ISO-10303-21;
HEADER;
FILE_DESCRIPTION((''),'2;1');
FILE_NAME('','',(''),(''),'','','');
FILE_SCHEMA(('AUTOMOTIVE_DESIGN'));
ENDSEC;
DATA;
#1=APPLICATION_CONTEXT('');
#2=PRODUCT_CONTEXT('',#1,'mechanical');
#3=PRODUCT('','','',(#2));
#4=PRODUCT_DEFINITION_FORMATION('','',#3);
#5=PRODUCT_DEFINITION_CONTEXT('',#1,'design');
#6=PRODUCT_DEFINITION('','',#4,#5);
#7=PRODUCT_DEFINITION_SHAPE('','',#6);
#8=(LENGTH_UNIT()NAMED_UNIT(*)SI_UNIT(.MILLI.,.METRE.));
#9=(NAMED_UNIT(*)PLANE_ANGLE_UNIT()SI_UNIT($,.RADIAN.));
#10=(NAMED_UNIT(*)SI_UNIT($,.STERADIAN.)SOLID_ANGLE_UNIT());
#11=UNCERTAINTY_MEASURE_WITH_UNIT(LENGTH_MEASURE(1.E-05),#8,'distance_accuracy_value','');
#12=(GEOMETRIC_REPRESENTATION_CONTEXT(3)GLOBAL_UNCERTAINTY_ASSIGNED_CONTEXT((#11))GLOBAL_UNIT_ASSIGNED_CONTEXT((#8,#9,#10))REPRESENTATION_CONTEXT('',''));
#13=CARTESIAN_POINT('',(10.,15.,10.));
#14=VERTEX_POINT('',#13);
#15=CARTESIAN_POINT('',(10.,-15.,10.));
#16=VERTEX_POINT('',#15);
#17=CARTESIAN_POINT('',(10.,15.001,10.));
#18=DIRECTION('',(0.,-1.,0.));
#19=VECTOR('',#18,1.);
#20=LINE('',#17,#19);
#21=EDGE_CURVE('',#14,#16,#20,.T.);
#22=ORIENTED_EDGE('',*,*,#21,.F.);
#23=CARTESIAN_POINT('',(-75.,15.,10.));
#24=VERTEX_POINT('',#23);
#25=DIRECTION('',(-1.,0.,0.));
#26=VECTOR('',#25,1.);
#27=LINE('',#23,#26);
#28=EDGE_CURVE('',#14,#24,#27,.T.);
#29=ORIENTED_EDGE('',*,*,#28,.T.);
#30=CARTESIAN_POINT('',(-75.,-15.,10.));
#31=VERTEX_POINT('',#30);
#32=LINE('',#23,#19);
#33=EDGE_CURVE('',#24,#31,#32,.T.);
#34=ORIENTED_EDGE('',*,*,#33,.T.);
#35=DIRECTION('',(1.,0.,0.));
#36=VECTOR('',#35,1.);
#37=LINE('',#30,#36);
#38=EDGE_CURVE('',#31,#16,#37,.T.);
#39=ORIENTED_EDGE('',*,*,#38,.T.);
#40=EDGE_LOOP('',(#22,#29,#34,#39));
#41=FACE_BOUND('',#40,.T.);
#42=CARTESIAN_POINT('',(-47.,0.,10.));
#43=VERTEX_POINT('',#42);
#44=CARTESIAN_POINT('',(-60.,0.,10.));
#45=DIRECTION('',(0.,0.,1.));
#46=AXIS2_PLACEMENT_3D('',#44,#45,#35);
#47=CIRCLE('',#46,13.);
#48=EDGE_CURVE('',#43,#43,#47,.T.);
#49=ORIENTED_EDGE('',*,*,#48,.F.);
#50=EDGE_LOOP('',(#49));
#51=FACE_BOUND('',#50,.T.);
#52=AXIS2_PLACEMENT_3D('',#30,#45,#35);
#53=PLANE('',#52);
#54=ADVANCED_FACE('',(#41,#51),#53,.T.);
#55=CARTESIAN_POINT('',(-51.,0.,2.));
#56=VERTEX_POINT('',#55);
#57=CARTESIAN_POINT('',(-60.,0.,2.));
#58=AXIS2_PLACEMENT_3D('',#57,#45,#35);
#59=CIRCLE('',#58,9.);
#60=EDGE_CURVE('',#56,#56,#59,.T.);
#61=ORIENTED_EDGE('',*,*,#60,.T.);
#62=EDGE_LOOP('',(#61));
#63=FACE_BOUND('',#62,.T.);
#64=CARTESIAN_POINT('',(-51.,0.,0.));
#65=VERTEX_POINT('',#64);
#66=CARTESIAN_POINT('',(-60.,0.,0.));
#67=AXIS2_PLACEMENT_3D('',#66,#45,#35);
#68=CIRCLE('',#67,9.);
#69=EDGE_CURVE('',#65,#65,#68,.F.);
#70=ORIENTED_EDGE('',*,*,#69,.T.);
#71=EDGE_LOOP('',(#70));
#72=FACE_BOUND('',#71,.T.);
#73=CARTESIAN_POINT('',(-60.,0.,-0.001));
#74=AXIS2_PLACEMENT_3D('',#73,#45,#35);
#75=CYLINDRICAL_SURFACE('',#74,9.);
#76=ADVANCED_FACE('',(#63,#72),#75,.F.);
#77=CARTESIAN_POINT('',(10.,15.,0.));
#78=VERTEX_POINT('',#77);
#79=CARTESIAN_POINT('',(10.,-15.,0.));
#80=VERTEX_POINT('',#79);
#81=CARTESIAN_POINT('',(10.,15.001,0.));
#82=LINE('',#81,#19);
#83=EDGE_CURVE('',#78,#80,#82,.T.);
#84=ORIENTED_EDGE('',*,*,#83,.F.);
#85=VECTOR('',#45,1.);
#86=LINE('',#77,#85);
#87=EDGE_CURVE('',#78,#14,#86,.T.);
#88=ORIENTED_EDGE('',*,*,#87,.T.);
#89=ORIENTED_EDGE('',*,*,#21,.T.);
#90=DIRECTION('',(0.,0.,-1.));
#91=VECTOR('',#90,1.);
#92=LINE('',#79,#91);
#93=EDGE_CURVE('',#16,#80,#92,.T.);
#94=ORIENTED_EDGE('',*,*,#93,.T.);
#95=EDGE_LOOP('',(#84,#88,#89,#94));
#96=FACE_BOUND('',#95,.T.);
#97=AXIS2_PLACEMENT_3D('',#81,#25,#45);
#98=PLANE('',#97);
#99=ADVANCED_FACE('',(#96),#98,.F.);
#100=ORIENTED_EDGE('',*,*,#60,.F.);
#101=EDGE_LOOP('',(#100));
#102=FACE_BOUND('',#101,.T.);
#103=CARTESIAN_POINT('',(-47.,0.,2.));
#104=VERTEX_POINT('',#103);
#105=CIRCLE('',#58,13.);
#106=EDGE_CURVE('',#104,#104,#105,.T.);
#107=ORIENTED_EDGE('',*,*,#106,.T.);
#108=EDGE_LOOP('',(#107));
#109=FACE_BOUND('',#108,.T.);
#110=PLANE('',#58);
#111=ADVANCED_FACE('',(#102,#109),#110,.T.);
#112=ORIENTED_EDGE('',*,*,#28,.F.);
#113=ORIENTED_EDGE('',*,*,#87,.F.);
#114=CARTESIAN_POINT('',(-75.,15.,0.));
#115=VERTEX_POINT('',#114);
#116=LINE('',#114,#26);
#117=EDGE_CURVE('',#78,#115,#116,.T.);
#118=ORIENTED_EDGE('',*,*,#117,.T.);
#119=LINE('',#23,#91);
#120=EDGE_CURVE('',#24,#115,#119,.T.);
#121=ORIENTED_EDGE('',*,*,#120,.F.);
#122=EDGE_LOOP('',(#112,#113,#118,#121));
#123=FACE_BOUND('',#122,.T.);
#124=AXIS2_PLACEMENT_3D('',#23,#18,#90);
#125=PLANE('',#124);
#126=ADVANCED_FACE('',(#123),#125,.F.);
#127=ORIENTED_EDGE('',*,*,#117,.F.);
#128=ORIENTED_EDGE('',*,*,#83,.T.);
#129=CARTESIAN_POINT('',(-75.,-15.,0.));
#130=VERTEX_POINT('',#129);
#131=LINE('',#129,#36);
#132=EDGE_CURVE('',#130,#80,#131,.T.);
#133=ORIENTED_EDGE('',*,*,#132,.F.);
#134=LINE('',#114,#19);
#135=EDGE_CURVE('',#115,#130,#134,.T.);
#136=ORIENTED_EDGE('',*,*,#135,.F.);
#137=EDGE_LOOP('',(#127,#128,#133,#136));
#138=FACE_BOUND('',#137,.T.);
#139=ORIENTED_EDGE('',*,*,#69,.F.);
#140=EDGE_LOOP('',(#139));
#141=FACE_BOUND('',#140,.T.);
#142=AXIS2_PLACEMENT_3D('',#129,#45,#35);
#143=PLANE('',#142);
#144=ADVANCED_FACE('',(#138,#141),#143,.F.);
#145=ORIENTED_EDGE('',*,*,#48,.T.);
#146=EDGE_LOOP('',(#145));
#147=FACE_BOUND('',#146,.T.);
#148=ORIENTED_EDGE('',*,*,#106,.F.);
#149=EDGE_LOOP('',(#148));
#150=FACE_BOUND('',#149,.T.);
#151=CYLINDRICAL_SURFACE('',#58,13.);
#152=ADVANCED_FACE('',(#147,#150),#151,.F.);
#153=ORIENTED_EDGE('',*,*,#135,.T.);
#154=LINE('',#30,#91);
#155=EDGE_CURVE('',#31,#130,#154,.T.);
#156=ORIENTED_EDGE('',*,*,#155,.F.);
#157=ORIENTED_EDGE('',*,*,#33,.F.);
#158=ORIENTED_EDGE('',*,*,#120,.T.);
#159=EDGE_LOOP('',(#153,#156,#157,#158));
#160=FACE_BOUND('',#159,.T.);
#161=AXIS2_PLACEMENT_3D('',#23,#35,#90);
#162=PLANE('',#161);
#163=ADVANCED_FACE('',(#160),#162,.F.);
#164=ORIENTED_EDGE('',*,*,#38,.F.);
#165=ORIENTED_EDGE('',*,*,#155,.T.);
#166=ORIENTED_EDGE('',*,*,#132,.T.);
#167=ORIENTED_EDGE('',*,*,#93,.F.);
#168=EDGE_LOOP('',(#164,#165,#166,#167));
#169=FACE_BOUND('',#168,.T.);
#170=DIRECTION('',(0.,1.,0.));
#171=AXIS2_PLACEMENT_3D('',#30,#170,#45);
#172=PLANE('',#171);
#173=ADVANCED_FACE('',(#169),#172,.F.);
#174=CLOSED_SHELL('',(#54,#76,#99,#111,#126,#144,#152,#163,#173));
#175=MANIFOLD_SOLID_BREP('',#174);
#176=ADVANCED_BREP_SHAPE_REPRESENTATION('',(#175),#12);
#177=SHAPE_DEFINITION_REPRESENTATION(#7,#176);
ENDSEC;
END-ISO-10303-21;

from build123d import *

# Parameters (mm, degrees)
ESBO_O1_W                = 150
ESBO_O1_H                = 30
RESSALTO_EXTRUS_O1_DEPTH = 10
ESBO_O2_R                = 13
CORTE_EXTRUS_O1_DEPTH    = 8
CORTE_EXTRUS_O2_REACH    = 78.903
ESBO_O3_R                = 9
CORTE_EXTRUS_O3_REACH    = 83.394
ESBO_O4_W                = 65
ESBO_O4_H                = 10


with BuildPart() as part:
    # Esboço1 → Ressalto-extrusão1 (new body)
    with BuildSketch(Plane.XY):
        Rectangle(ESBO_O1_W, ESBO_O1_H)
    extrude(amount=RESSALTO_EXTRUS_O1_DEPTH)

    # Esboço2 → Corte-extrusão1 (cut)
    with BuildSketch(Plane.XY.offset(10)):
        with Locations((-60, 0)):
            Circle(ESBO_O2_R)
    extrude(amount=-CORTE_EXTRUS_O1_DEPTH, mode=Mode.SUBTRACT)

    # Esboço3 → Corte-extrusão2 (cut, up to next)
    with BuildSketch(Plane.XY.offset(2), mode=Mode.PRIVATE) as corte_extrus_o2_sk1:
        with Locations((-60, 0)):
            Circle(ESBO_O3_R)
    corte_extrus_o2_tool1 = extrude(corte_extrus_o2_sk1.sketch, amount=-CORTE_EXTRUS_O2_REACH, mode=Mode.PRIVATE) & part.part
    add(corte_extrus_o2_tool1.solids().sort_by_distance((-60, 0, 2))[0], mode=Mode.SUBTRACT)

    # Esboço4 → Corte-extrusão3 (cut, up to next)
    with BuildSketch(Plane.XZ.offset(15), mode=Mode.PRIVATE) as corte_extrus_o3_sk1:
        with Locations((42.5, 5)):
            Rectangle(ESBO_O4_W, ESBO_O4_H)
    corte_extrus_o3_tool1 = extrude(corte_extrus_o3_sk1.sketch, amount=-CORTE_EXTRUS_O3_REACH, mode=Mode.PRIVATE) & part.part
    add(corte_extrus_o3_tool1.solids().sort_by_distance((42.5, -15, 5))[0], mode=Mode.SUBTRACT)


solid = part.part
